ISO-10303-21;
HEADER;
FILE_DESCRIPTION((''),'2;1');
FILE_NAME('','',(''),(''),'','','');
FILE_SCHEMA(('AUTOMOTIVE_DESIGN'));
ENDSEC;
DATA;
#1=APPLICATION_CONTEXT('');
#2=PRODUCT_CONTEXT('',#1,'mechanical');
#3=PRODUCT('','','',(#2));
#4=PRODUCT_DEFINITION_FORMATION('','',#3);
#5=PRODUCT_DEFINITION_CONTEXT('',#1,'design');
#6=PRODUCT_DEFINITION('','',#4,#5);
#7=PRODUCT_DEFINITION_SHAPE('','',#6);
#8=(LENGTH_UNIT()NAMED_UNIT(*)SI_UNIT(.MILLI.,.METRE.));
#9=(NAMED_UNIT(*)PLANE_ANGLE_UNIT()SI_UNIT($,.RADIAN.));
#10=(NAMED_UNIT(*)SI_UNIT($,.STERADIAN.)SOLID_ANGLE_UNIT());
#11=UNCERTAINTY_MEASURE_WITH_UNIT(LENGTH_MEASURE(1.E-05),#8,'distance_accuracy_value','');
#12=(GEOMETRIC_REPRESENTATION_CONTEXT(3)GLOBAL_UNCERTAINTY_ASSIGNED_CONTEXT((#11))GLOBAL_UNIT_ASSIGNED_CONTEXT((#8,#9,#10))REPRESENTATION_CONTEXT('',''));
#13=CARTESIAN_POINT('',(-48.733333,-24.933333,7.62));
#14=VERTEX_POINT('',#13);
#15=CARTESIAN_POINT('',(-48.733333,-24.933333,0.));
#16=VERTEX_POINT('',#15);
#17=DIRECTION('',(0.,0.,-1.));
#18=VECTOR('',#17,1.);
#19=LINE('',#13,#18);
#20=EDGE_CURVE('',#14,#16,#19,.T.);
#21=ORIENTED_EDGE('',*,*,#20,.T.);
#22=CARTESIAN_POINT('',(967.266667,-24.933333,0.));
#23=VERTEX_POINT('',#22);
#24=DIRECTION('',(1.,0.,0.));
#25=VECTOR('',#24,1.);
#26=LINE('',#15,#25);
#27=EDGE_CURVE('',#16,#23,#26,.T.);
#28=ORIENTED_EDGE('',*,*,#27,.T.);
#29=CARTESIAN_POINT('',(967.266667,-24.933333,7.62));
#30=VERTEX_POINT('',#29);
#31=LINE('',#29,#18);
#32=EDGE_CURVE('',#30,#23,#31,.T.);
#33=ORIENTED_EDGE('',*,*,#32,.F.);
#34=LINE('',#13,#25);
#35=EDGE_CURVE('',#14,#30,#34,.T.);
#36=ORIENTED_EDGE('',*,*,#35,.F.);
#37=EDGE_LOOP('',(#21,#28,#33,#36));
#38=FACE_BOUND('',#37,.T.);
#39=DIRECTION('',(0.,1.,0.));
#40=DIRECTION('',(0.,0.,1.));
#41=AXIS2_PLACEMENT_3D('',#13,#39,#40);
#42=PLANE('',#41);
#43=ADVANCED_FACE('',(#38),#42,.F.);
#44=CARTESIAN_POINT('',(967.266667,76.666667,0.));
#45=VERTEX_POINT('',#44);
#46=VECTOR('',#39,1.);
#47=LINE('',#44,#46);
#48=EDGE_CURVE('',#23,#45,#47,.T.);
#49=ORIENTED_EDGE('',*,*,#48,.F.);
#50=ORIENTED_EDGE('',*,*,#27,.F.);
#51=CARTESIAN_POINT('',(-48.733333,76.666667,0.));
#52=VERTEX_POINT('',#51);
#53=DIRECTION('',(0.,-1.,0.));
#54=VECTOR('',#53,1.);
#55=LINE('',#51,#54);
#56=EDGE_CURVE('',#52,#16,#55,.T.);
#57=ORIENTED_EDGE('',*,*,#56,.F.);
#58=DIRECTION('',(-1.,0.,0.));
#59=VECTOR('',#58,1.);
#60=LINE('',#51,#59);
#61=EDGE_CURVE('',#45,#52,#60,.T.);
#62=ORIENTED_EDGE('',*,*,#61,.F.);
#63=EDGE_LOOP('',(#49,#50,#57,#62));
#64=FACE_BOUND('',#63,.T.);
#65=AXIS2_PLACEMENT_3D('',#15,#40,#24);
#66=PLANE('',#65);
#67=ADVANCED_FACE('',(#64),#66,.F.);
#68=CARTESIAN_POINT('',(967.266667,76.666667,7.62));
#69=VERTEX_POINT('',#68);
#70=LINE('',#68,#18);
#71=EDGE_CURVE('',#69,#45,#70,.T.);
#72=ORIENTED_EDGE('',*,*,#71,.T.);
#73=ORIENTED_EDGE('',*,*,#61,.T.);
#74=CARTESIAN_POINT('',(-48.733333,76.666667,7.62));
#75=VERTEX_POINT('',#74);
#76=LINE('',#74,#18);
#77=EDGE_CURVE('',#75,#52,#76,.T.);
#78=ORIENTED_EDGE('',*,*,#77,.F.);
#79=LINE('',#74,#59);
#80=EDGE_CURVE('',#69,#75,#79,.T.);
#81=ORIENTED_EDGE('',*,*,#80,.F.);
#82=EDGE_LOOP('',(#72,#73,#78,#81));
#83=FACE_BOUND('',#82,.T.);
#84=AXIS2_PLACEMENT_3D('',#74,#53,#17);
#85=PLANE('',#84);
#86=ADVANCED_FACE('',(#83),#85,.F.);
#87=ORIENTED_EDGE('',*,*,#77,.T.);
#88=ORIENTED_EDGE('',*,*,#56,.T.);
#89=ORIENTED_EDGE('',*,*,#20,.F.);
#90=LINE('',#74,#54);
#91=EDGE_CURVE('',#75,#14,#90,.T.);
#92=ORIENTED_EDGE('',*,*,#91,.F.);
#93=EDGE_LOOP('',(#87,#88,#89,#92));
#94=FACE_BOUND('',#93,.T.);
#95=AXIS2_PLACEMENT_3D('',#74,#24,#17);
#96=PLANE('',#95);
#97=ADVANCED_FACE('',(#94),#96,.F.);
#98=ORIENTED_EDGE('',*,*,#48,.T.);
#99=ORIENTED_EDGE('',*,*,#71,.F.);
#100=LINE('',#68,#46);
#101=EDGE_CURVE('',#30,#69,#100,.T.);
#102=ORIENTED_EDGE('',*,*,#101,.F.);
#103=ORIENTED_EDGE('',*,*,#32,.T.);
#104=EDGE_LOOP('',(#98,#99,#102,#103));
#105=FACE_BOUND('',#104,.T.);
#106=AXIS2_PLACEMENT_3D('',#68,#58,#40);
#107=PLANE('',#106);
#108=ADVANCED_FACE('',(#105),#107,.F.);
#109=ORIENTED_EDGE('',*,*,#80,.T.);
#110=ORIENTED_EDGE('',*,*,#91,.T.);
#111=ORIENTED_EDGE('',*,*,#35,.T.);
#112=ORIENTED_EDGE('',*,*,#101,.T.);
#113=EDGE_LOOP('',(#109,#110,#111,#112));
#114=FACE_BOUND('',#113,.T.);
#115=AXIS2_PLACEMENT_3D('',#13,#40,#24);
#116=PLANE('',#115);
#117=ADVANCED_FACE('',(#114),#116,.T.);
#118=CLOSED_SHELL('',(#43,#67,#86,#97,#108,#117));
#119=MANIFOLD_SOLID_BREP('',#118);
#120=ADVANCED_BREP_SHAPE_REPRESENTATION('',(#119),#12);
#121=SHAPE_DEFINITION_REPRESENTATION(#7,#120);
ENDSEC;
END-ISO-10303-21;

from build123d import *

# Parameters (mm, degrees)
SKETCH1_W      = 1016
SKETCH1_H      = 101.6
EXTRUDE1_DEPTH = 7.62


with BuildPart() as part:
    # Sketch1 → Extrude1 (new body)
    with BuildSketch(Plane.XY):
        with Locations((459.266666667, 25.866666667)):
            Rectangle(SKETCH1_W, SKETCH1_H)
    extrude(amount=EXTRUDE1_DEPTH)


solid = part.part
